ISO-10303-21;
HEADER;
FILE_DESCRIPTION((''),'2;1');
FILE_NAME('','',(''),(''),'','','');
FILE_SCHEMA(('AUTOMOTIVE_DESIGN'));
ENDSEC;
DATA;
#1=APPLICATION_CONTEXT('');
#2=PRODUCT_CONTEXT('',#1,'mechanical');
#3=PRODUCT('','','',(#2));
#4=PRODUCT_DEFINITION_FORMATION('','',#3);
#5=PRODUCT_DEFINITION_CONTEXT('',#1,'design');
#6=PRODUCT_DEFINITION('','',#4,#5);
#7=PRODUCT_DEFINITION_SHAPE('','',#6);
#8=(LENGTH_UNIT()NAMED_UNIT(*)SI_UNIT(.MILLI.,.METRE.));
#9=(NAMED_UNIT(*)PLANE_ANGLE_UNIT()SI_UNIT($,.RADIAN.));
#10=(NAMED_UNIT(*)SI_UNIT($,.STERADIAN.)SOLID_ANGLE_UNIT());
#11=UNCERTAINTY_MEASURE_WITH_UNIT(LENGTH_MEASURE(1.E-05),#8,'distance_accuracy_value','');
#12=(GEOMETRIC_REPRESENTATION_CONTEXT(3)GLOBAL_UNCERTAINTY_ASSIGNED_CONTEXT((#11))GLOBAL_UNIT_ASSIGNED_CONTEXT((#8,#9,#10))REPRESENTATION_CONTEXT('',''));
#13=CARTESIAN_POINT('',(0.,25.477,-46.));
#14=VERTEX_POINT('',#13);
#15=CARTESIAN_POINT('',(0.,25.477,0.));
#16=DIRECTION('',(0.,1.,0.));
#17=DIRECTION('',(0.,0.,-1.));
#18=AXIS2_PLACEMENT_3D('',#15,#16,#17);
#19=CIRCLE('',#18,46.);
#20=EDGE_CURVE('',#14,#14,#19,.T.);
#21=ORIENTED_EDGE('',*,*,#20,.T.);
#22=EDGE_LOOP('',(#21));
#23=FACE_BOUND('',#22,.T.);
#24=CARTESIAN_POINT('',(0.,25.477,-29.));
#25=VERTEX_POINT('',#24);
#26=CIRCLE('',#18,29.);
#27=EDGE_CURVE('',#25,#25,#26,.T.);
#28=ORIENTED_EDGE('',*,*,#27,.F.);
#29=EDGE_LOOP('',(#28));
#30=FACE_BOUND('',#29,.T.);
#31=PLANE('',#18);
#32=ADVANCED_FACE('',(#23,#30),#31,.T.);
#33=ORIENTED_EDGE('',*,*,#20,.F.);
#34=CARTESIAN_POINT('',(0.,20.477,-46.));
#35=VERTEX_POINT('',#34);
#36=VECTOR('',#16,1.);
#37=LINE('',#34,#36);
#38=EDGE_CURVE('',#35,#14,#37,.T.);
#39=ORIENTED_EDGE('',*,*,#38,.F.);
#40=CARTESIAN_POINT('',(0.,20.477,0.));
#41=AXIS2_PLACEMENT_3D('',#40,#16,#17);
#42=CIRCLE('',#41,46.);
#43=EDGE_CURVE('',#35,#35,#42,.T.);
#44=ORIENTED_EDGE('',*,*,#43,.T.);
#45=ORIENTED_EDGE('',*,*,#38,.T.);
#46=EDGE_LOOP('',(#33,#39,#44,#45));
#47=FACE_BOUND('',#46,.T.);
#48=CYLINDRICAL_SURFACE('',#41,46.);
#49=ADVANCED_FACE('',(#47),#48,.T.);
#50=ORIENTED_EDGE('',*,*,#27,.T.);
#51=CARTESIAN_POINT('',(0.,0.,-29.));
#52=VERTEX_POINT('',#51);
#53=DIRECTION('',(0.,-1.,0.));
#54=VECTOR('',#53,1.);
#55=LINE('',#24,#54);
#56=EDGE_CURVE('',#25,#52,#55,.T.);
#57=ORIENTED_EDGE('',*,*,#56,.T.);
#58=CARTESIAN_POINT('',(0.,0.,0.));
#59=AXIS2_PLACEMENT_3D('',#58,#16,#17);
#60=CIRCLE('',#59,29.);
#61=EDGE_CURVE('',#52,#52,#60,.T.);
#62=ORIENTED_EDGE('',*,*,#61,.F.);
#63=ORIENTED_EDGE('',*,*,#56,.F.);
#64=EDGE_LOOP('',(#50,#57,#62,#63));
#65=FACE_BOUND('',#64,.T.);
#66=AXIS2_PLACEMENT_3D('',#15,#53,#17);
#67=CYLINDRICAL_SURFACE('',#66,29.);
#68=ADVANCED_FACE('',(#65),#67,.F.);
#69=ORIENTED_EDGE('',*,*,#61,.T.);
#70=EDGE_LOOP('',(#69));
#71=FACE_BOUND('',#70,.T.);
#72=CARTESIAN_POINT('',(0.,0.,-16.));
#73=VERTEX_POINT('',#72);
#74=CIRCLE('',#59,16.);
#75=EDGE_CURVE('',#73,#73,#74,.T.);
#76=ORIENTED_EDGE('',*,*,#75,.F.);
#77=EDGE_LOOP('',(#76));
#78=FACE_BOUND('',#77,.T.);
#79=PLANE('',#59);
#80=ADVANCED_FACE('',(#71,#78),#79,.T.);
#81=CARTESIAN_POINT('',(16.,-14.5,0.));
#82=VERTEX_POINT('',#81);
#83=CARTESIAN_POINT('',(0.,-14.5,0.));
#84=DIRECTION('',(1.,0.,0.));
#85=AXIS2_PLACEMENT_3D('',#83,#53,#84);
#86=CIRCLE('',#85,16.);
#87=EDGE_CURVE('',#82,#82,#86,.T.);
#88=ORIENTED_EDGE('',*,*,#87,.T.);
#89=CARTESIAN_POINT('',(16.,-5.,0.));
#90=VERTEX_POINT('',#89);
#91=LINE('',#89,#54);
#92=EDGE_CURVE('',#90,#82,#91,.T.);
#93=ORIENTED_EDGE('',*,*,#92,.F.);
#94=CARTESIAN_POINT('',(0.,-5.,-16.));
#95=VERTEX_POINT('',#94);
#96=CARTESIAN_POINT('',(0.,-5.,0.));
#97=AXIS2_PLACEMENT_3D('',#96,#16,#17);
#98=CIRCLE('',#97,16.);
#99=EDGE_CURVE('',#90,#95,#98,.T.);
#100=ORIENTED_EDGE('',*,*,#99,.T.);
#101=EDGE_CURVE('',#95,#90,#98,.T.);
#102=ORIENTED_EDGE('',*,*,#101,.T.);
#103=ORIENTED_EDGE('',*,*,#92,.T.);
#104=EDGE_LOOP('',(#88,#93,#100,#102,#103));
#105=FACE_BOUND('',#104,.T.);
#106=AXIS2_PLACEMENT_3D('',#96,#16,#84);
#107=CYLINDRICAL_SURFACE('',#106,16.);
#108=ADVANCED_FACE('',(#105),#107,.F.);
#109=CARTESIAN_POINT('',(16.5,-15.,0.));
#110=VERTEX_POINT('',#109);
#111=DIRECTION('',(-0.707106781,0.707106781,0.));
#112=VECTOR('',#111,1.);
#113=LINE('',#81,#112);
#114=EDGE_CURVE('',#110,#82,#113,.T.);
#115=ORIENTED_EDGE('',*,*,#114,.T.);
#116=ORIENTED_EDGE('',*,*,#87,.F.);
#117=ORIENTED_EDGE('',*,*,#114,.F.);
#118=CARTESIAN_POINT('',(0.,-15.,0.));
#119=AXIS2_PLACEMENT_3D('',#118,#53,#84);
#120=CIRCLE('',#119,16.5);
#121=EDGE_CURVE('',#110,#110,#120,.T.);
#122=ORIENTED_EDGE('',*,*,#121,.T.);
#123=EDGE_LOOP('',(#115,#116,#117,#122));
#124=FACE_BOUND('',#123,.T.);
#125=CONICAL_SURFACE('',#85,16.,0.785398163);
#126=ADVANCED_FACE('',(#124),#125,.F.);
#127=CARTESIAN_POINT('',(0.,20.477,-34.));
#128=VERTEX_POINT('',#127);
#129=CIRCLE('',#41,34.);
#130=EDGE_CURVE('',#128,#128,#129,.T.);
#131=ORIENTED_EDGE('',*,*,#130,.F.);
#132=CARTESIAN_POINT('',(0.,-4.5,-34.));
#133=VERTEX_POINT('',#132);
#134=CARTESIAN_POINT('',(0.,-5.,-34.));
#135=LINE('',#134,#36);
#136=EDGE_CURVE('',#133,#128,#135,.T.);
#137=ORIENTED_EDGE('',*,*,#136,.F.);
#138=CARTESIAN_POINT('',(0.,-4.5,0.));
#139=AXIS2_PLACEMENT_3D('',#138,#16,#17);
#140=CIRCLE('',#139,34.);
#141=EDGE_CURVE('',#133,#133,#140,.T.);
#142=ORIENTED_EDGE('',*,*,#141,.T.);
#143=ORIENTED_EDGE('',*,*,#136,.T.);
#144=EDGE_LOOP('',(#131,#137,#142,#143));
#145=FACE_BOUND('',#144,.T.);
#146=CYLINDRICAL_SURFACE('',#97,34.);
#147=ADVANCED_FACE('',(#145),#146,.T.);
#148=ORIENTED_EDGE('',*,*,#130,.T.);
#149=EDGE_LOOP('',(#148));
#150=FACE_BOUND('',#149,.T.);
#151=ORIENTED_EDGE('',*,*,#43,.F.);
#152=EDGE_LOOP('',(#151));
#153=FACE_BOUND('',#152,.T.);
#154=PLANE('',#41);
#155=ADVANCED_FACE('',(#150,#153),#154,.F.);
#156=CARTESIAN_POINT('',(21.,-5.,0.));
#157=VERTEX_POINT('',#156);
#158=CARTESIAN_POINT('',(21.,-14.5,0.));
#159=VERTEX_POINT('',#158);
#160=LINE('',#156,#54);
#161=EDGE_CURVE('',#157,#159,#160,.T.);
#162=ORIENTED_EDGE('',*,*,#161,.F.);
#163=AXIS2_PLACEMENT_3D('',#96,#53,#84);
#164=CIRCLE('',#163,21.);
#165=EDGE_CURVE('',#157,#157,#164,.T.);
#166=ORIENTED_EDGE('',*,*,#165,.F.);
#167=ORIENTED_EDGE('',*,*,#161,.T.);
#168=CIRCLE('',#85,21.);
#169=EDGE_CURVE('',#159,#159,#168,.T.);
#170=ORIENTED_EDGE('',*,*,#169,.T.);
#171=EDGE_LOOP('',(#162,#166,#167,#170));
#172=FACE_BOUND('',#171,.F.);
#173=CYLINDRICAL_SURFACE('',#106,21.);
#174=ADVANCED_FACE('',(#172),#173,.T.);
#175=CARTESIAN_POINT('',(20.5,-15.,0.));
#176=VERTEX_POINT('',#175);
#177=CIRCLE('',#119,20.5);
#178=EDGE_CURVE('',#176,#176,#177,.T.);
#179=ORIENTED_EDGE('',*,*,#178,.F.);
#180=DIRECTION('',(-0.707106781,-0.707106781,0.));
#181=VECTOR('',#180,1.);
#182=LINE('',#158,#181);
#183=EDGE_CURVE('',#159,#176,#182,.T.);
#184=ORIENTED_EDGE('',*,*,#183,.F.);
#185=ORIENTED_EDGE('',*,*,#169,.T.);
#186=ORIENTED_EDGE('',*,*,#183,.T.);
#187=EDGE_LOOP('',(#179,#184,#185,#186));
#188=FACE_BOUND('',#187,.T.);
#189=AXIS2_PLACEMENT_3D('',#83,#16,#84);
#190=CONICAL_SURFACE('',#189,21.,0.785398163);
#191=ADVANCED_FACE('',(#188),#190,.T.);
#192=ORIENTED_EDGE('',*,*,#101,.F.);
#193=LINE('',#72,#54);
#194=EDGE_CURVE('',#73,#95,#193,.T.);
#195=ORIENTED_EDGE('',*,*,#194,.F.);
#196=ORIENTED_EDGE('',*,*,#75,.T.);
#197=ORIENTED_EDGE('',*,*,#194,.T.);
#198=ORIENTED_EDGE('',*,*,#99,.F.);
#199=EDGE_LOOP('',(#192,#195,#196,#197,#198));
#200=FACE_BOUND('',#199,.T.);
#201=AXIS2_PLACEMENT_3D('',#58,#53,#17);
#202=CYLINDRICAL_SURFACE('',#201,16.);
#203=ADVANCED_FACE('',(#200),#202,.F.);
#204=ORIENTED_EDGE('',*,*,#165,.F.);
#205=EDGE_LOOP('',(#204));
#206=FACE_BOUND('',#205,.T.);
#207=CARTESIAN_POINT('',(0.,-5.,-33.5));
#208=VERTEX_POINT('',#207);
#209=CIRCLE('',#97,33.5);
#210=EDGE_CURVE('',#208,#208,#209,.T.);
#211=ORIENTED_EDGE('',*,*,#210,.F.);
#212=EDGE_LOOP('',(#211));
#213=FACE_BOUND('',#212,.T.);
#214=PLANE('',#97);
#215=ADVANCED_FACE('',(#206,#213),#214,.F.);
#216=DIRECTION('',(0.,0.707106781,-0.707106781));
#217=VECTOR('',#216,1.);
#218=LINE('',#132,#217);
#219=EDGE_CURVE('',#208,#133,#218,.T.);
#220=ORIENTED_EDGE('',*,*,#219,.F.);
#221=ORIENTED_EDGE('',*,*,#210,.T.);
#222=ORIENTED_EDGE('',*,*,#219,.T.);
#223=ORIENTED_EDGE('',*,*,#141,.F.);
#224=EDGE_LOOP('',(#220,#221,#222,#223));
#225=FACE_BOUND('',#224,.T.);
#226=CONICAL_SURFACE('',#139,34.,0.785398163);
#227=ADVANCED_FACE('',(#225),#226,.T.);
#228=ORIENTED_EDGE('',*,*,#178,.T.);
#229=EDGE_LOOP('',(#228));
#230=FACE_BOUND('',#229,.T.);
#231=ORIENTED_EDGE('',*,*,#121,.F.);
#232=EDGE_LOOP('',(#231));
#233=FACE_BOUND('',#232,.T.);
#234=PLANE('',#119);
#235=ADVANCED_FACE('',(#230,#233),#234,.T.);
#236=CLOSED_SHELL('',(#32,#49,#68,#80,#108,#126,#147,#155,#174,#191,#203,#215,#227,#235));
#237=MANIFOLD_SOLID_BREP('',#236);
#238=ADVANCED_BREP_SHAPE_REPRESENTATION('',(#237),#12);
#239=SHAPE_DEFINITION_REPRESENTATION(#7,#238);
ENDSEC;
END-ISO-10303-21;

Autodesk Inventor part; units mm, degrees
ref_plane "YZ Plane" through (0, 0, 0) normal (1, 0, 0) x (0, 1, 0)
ref_plane "XZ Plane" through (0, 0, 0) normal (0, 1, 0) x (-1, 0, 0)
ref_plane "XY Plane" through (0, 0, 0) normal (0, 0, 1) x (1, 0, 0)
sketch "Skizze1" plane through (0, 0, 0) normal (1, 0, 0) x (0, 1, 0)
  line L0 (0, -16) -> (-5, -16)
  line L1 (-5, -16) -> (-5, -34)
  line L2 (-5, -34) -> (0, -34)
  line L3 (0, -34) -> (0, -16)
  line L4 (-11.0954, 0) -> (31.5723, 0) projected
  line L5 (0, -55.2) -> (0, 9.2) projected
  line L6 (0, -34) -> (25.477, -34)
  line L7 (25.477, -34) -> (25.477, -29)
  line L8 (25.477, -29) -> (0, -29)
  line L9 (0, -29) -> (0, -34)
  line L10 (25.477, -34) -> (20.477, -34)
  line L11 (20.477, -34) -> (20.477, -46)
  line L12 (20.477, -46) -> (25.477, -46)
  line L13 (25.477, -46) -> (25.477, -34)
  point P0 (0, 0)
  point P1 (0, -29)
  dimension "d0" = 16
  dimension "d1" = 34
  dimension "d2" = 5
  dimension "d3" = 5
  dimension "d4" = 5
  dimension "d5" = 46
revolve "Umdrehung1" add sketch "Skizze1" angle 360 about axis through (0, -10, 0) along (0, 1, 0)
chamfer "Fase1" distance 0.5 angle 45 1 edges at (0, -5, 34)
sketch "Skizze2" plane through (0, -5, 0) normal (0, -1, 0) x (1, 0, 0)
  circle A0 centre (0, 0) radius 16
  circle A1 centre (0, 0) radius 21
  circle A2 centre (0, 0) radius 16 projected
  dimension "d10" = 5
  dimension "d11" = 0
extrude "Extrusion1" add sketch "Skizze2" along normal blind 10
chamfer "Fase2" distance 0.5 angle 45 2 edges at (-21, -15, 0) (-16, -15, 0)
equation "\"d3\" = d2"
equation "\"d4\" = d2"
properties part number "Topf"
